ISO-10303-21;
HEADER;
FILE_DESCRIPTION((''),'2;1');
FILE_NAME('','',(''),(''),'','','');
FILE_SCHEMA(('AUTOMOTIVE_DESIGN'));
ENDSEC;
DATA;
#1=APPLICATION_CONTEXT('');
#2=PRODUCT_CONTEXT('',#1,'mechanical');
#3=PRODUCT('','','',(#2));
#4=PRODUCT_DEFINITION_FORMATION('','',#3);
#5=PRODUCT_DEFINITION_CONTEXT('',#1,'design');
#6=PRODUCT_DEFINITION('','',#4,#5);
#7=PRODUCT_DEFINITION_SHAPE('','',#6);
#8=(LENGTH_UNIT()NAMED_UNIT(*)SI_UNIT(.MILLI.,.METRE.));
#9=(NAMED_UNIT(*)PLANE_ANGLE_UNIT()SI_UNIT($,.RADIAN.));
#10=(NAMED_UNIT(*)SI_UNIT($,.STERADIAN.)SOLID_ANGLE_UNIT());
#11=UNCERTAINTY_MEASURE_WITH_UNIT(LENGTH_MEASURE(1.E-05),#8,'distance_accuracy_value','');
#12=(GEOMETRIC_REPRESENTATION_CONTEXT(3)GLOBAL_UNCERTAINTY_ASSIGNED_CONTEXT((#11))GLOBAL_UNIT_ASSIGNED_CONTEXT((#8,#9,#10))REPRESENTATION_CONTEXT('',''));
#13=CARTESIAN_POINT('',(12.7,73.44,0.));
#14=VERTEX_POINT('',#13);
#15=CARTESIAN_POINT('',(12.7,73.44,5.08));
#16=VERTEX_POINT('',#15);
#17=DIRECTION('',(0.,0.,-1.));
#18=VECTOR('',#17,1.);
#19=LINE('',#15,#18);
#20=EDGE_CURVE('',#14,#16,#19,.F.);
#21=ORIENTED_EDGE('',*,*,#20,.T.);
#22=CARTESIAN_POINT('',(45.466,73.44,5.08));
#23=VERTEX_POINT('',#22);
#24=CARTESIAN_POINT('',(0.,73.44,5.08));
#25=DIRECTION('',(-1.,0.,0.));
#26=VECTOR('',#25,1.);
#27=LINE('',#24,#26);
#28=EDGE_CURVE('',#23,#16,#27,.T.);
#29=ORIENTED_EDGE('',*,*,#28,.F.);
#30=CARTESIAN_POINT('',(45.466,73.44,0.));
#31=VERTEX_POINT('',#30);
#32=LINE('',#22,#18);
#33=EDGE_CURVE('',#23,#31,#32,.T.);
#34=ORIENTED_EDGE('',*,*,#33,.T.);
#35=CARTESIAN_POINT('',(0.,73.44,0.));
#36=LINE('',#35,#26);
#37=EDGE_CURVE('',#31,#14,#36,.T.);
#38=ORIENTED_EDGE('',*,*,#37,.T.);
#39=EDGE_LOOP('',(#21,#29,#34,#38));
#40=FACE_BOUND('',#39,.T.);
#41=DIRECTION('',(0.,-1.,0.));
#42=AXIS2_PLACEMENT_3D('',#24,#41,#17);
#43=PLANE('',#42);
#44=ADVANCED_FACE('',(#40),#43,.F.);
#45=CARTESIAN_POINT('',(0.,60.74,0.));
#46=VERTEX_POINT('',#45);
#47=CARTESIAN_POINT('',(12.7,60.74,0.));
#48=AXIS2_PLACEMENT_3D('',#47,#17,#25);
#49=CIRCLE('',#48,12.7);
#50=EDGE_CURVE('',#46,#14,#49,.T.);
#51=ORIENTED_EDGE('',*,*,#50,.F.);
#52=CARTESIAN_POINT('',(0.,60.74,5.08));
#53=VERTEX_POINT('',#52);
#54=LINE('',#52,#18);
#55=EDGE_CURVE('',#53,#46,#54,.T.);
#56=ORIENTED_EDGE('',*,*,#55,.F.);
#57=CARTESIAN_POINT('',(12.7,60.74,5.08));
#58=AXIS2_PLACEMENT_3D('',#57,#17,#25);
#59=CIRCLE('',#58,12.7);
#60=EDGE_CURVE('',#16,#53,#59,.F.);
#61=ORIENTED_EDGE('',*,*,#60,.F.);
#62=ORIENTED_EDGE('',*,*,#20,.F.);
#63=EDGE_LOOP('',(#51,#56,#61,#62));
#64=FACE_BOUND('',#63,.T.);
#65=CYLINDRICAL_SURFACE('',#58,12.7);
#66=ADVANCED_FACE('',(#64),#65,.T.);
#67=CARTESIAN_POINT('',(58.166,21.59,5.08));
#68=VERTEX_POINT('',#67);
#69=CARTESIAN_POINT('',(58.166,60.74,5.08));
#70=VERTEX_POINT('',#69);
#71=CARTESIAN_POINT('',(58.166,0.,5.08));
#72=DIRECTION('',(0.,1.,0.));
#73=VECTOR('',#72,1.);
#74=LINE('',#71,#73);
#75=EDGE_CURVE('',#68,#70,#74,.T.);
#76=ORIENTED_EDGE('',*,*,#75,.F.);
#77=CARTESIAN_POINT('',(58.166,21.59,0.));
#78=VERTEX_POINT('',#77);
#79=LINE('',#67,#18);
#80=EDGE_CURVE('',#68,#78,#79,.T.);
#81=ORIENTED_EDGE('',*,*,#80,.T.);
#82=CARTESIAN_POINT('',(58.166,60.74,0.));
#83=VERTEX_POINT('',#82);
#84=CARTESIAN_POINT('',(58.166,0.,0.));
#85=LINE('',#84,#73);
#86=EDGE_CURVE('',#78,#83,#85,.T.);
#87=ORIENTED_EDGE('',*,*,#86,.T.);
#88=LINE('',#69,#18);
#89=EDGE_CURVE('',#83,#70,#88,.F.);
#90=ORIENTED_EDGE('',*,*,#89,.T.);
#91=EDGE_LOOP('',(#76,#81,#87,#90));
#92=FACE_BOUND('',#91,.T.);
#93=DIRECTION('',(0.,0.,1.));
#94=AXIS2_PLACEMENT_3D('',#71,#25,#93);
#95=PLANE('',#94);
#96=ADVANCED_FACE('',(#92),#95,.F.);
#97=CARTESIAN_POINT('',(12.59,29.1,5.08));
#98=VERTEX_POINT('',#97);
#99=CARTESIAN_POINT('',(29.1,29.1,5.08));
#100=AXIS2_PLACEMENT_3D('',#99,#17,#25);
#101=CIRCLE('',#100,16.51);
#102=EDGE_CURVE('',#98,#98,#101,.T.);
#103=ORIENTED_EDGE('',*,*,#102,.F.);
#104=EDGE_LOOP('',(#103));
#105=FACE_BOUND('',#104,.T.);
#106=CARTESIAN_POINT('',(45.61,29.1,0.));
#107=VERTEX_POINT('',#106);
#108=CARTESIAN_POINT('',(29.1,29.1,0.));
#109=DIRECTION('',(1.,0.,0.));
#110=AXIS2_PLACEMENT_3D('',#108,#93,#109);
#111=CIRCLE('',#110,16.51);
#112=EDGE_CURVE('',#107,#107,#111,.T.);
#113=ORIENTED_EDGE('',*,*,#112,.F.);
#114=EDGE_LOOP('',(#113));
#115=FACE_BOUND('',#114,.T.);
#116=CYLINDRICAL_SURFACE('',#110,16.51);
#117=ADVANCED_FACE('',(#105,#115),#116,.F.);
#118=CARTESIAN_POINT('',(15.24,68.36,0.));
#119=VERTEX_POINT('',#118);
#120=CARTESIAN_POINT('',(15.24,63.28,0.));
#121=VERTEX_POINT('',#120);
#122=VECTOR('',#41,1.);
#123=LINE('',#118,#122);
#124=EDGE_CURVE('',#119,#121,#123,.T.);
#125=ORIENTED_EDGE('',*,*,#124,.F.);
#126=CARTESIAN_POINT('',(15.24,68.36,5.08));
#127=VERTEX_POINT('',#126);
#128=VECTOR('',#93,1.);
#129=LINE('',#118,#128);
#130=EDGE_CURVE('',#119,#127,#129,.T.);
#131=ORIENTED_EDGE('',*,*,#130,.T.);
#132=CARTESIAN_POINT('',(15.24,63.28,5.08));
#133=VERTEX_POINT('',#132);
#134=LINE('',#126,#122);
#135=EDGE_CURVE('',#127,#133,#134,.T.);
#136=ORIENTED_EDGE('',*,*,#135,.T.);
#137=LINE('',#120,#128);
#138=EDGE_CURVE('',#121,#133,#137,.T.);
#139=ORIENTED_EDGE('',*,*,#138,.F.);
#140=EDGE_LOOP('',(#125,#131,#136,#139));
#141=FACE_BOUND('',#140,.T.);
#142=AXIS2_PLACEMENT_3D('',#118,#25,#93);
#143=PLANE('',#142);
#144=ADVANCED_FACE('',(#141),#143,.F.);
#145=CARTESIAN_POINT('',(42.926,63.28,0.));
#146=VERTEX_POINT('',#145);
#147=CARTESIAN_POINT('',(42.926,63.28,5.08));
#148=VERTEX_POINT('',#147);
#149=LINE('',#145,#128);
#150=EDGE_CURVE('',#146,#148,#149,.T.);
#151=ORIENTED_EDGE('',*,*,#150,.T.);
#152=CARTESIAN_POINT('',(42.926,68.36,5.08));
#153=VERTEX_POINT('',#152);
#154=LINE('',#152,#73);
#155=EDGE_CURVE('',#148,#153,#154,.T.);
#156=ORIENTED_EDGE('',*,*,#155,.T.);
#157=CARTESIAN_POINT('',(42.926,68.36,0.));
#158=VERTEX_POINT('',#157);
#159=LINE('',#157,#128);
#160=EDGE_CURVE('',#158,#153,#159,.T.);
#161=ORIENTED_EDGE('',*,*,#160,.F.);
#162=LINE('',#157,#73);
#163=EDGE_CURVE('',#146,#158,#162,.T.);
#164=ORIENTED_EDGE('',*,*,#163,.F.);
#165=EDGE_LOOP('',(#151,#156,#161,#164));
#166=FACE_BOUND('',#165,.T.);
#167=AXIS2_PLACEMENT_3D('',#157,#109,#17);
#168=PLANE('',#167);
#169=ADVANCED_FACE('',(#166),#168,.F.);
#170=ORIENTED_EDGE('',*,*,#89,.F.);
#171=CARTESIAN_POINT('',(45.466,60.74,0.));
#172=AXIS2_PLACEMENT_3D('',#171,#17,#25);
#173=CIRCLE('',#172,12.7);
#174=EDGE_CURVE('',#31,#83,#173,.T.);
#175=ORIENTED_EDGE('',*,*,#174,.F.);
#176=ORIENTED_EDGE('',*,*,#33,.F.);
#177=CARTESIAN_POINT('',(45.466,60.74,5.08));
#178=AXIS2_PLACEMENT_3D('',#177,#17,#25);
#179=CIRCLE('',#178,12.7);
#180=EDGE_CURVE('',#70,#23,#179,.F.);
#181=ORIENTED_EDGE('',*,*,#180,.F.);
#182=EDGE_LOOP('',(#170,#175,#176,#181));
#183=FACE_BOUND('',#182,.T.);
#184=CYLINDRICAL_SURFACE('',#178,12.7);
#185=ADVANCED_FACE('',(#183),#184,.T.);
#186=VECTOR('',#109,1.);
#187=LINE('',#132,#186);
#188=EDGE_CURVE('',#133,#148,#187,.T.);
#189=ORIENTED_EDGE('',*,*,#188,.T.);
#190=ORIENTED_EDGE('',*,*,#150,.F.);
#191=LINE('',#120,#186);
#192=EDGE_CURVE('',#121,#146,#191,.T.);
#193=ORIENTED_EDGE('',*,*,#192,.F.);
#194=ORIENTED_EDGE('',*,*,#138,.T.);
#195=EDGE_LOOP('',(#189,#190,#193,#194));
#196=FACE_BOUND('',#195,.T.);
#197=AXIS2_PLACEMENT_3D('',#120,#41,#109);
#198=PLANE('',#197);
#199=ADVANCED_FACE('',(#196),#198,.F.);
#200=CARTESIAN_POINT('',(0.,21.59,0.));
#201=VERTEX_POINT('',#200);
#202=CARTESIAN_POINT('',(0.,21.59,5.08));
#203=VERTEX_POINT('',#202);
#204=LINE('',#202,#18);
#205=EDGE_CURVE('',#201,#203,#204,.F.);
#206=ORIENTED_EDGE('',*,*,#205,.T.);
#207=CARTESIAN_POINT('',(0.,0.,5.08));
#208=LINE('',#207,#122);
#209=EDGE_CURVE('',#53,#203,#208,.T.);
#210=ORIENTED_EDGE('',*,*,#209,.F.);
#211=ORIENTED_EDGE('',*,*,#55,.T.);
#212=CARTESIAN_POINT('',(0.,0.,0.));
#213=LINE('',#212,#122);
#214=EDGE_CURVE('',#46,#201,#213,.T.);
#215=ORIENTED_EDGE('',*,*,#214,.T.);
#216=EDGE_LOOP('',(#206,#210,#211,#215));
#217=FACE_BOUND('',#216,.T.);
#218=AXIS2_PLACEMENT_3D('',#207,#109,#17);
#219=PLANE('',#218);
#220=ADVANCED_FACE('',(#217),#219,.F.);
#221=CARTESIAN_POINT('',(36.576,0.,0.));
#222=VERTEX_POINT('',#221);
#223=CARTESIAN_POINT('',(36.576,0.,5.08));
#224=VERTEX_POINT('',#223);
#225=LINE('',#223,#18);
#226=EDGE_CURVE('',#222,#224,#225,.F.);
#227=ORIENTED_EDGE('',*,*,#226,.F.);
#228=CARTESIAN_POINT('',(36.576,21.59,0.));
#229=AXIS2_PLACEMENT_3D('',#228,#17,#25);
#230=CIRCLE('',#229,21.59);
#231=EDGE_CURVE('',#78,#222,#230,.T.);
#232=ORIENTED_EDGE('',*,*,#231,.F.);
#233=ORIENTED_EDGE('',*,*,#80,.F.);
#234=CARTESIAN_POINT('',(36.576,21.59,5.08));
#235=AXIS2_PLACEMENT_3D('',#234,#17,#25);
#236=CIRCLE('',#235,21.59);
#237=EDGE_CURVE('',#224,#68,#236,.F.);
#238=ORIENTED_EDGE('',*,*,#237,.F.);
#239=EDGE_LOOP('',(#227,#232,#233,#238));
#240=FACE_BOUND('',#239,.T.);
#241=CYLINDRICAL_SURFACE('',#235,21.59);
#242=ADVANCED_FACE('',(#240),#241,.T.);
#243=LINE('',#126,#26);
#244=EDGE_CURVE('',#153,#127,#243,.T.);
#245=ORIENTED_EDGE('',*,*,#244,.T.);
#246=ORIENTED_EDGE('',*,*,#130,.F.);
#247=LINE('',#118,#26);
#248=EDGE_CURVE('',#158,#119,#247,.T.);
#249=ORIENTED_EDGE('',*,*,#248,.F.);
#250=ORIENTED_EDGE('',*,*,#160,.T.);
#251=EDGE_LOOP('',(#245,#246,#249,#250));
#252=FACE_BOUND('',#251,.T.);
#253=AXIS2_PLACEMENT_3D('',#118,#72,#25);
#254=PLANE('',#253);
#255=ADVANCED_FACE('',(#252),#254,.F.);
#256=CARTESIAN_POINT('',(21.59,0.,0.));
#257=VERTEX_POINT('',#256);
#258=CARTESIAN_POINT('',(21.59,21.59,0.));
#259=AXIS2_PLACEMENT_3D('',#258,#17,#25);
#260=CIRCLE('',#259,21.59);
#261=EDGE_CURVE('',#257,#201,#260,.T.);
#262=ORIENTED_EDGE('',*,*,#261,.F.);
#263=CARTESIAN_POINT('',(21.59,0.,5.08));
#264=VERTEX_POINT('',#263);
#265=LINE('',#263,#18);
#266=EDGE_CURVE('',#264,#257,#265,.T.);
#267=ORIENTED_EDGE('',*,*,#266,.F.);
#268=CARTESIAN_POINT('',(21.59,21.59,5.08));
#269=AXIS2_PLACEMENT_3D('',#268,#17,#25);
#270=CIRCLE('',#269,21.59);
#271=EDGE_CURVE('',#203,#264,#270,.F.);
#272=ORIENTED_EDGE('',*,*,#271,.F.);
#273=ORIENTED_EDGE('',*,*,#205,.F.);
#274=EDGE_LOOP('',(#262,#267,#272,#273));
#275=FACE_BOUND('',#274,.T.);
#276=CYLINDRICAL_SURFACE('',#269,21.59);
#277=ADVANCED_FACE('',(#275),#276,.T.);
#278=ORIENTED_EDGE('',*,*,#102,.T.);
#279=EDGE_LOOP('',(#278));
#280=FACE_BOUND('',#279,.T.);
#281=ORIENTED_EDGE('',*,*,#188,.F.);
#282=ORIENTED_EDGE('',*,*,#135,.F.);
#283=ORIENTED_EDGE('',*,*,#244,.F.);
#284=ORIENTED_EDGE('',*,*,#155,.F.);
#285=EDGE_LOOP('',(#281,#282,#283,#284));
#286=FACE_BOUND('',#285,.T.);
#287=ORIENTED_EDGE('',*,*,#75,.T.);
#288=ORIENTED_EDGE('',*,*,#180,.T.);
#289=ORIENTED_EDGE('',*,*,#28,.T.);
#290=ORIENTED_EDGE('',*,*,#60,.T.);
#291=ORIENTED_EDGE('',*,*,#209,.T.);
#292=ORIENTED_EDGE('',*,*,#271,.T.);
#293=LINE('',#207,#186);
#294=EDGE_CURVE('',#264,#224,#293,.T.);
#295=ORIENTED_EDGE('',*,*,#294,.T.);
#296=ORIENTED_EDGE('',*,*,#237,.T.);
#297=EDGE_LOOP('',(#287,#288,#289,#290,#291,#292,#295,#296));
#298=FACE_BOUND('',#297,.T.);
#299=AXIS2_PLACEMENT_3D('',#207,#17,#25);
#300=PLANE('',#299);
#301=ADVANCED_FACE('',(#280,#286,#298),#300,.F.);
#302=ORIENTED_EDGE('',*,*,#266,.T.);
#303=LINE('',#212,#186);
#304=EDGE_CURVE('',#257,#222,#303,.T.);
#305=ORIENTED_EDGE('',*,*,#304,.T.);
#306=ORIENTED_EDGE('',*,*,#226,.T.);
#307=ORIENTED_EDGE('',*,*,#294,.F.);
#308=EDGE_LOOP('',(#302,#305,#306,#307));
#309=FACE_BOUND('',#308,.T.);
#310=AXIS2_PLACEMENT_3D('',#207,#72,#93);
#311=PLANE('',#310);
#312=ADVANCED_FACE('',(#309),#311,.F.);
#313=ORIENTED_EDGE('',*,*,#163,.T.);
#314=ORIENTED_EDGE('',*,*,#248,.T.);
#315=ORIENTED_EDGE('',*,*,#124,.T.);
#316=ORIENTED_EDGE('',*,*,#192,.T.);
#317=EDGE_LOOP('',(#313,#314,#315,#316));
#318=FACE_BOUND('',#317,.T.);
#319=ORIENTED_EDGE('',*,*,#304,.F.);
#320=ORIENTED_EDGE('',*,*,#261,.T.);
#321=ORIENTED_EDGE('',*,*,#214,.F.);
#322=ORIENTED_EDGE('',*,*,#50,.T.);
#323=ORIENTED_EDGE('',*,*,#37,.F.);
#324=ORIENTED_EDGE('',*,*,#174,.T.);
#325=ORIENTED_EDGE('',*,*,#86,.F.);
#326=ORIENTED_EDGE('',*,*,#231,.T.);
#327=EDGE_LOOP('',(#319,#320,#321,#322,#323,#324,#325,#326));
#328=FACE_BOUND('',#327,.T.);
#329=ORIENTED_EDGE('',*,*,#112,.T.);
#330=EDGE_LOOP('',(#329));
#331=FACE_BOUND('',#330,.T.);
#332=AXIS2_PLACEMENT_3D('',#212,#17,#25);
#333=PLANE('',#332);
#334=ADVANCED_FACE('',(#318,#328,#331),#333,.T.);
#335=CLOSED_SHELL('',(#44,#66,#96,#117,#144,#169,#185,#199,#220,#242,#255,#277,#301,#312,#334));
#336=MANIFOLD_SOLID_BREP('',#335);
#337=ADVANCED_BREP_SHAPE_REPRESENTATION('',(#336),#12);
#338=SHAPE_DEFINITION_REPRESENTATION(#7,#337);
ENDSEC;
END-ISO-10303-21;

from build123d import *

# Parameters (mm, degrees)
SKETCH1_W               = 58.166
SKETCH1_H               = 73.439999932
BOSS_EXTRUDE1_DEPTH     = 5.08
SKETCH2_W               = 27.686
SKETCH2_H               = 5.08
CUT_EXTRUDE1_DEPTH      = 94.821764778
CUT_EXTRUDE2_DEPTH      = 94.821764778
CUT_EXTRUDE2_DEPTH_BACK = 94.821764778
SKETCH7_R               = 16.51
FILLET2_R               = 21.59
FILLET3_R               = 12.7


with BuildPart() as part:
    # Sketch1 → Boss-Extrude1 (new body)
    with BuildSketch(Plane.XY):
        with Locations((29.083, 36.719999966)):
            Rectangle(SKETCH1_W, SKETCH1_H)
    extrude(amount=BOSS_EXTRUDE1_DEPTH)

    # Sketch2 → Cut-Extrude1 (cut, through all)
    with BuildSketch(Plane.XY.offset(5.08)):
        with Locations((29.083, 65.819999932)):
            Rectangle(SKETCH2_W, SKETCH2_H)
    extrude(amount=-CUT_EXTRUDE1_DEPTH, mode=Mode.SUBTRACT)

    # Sketch7 → Cut-Extrude2 (cut, two sides: drawn at the far end of the back side and taken through both)
    with BuildSketch(Plane.XY.offset(5.08).offset(-CUT_EXTRUDE2_DEPTH_BACK)):
        with Locations((29.099999966, 29.1)):
            Circle(SKETCH7_R)
    extrude(amount=CUT_EXTRUDE2_DEPTH + CUT_EXTRUDE2_DEPTH_BACK, mode=Mode.SUBTRACT)

    # Fillet2
    fillet2_edges = [part.edges().sort_by_distance(p)[0] for p in [
        (58.166, 0, 2.54),
        (0, 0, 2.54),
    ]]
    fillet(fillet2_edges, radius=FILLET2_R)

    # Fillet3
    fillet3_edges = [part.edges().sort_by_distance(p)[0] for p in [
        (0, 73.439999932, 2.54),
        (58.166, 73.439999932, 2.54),
    ]]
    fillet(fillet3_edges, radius=FILLET3_R)


solid = part.part
